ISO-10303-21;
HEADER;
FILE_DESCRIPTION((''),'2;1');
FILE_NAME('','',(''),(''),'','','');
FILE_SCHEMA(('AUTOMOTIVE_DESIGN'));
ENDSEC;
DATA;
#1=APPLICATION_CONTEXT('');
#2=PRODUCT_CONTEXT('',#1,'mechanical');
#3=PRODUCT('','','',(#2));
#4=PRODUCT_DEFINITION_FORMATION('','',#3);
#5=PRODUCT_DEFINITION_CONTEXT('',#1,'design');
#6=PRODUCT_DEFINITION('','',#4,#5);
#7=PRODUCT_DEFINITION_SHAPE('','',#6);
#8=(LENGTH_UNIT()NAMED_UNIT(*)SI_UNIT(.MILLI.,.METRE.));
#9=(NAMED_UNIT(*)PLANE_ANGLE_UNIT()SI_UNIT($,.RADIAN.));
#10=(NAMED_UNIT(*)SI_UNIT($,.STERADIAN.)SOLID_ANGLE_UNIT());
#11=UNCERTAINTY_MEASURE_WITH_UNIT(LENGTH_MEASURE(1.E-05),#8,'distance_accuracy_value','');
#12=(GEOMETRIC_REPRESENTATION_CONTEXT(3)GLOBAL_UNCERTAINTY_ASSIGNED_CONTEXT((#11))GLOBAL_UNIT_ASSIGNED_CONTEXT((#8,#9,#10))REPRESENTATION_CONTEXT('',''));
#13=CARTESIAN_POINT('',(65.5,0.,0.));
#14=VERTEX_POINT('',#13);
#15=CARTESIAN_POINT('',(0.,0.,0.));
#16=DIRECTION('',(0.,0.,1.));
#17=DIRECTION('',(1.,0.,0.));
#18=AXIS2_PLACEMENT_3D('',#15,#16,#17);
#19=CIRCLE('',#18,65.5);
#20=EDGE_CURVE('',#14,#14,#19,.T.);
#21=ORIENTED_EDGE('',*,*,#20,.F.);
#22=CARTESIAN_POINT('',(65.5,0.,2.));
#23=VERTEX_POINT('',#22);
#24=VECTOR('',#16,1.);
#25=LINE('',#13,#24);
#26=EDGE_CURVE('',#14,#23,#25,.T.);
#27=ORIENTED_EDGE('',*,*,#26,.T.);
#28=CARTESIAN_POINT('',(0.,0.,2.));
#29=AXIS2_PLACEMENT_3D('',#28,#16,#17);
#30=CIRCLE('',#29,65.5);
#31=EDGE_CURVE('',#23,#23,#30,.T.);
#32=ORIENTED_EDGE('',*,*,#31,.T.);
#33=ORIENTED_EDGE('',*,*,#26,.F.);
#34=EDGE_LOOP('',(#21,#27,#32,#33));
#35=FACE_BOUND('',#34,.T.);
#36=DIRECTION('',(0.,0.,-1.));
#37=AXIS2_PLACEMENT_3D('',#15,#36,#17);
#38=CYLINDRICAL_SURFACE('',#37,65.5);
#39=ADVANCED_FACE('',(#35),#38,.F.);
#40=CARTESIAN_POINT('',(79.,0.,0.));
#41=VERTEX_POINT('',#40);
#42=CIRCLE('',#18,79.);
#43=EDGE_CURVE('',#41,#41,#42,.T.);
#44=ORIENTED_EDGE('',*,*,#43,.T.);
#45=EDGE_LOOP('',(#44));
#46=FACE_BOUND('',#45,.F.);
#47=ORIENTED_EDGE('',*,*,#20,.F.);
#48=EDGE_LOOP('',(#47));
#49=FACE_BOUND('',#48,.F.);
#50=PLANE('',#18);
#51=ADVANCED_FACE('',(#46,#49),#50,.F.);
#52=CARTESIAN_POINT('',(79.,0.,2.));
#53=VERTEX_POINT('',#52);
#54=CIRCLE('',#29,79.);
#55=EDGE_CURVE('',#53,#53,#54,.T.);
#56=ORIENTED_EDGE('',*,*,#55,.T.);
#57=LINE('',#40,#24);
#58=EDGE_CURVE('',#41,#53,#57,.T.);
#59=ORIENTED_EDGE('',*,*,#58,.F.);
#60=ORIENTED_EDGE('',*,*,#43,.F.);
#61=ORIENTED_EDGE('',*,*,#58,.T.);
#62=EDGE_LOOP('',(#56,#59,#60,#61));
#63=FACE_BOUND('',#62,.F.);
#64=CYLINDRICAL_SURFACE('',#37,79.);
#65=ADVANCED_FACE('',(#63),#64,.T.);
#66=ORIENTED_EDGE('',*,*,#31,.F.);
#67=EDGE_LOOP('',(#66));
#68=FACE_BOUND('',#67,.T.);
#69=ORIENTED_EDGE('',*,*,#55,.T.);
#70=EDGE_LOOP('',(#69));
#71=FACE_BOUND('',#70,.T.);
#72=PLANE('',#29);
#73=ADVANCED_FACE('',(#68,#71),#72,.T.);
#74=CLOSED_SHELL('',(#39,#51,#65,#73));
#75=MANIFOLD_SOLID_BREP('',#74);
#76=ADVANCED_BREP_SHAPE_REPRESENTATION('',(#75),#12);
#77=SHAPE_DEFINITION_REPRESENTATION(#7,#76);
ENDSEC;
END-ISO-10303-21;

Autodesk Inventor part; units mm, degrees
ref_plane "YZ Plane" through (0, 0, 0) normal (1, 0, 0) x (0, 1, 0)
ref_plane "XZ Plane" through (0, 0, 0) normal (0, 1, 0) x (-1, 0, 0)
ref_plane "XY Plane" through (0, 0, 0) normal (0, 0, 1) x (1, 0, 0)
sketch "Эскиз1" plane through (0, 0, 0) normal (0, 0, 1) x (1, 0, 0)
  circle A0 centre (0, 0) radius 65.5
  circle A1 centre (0, 0) radius 79
  dimension "d0" = 131
  dimension "d1" = 158
extrude "Выдавливание1" add sketch "Эскиз1" along normal blind 2
properties part number "Прокладка крышка-стакан"
